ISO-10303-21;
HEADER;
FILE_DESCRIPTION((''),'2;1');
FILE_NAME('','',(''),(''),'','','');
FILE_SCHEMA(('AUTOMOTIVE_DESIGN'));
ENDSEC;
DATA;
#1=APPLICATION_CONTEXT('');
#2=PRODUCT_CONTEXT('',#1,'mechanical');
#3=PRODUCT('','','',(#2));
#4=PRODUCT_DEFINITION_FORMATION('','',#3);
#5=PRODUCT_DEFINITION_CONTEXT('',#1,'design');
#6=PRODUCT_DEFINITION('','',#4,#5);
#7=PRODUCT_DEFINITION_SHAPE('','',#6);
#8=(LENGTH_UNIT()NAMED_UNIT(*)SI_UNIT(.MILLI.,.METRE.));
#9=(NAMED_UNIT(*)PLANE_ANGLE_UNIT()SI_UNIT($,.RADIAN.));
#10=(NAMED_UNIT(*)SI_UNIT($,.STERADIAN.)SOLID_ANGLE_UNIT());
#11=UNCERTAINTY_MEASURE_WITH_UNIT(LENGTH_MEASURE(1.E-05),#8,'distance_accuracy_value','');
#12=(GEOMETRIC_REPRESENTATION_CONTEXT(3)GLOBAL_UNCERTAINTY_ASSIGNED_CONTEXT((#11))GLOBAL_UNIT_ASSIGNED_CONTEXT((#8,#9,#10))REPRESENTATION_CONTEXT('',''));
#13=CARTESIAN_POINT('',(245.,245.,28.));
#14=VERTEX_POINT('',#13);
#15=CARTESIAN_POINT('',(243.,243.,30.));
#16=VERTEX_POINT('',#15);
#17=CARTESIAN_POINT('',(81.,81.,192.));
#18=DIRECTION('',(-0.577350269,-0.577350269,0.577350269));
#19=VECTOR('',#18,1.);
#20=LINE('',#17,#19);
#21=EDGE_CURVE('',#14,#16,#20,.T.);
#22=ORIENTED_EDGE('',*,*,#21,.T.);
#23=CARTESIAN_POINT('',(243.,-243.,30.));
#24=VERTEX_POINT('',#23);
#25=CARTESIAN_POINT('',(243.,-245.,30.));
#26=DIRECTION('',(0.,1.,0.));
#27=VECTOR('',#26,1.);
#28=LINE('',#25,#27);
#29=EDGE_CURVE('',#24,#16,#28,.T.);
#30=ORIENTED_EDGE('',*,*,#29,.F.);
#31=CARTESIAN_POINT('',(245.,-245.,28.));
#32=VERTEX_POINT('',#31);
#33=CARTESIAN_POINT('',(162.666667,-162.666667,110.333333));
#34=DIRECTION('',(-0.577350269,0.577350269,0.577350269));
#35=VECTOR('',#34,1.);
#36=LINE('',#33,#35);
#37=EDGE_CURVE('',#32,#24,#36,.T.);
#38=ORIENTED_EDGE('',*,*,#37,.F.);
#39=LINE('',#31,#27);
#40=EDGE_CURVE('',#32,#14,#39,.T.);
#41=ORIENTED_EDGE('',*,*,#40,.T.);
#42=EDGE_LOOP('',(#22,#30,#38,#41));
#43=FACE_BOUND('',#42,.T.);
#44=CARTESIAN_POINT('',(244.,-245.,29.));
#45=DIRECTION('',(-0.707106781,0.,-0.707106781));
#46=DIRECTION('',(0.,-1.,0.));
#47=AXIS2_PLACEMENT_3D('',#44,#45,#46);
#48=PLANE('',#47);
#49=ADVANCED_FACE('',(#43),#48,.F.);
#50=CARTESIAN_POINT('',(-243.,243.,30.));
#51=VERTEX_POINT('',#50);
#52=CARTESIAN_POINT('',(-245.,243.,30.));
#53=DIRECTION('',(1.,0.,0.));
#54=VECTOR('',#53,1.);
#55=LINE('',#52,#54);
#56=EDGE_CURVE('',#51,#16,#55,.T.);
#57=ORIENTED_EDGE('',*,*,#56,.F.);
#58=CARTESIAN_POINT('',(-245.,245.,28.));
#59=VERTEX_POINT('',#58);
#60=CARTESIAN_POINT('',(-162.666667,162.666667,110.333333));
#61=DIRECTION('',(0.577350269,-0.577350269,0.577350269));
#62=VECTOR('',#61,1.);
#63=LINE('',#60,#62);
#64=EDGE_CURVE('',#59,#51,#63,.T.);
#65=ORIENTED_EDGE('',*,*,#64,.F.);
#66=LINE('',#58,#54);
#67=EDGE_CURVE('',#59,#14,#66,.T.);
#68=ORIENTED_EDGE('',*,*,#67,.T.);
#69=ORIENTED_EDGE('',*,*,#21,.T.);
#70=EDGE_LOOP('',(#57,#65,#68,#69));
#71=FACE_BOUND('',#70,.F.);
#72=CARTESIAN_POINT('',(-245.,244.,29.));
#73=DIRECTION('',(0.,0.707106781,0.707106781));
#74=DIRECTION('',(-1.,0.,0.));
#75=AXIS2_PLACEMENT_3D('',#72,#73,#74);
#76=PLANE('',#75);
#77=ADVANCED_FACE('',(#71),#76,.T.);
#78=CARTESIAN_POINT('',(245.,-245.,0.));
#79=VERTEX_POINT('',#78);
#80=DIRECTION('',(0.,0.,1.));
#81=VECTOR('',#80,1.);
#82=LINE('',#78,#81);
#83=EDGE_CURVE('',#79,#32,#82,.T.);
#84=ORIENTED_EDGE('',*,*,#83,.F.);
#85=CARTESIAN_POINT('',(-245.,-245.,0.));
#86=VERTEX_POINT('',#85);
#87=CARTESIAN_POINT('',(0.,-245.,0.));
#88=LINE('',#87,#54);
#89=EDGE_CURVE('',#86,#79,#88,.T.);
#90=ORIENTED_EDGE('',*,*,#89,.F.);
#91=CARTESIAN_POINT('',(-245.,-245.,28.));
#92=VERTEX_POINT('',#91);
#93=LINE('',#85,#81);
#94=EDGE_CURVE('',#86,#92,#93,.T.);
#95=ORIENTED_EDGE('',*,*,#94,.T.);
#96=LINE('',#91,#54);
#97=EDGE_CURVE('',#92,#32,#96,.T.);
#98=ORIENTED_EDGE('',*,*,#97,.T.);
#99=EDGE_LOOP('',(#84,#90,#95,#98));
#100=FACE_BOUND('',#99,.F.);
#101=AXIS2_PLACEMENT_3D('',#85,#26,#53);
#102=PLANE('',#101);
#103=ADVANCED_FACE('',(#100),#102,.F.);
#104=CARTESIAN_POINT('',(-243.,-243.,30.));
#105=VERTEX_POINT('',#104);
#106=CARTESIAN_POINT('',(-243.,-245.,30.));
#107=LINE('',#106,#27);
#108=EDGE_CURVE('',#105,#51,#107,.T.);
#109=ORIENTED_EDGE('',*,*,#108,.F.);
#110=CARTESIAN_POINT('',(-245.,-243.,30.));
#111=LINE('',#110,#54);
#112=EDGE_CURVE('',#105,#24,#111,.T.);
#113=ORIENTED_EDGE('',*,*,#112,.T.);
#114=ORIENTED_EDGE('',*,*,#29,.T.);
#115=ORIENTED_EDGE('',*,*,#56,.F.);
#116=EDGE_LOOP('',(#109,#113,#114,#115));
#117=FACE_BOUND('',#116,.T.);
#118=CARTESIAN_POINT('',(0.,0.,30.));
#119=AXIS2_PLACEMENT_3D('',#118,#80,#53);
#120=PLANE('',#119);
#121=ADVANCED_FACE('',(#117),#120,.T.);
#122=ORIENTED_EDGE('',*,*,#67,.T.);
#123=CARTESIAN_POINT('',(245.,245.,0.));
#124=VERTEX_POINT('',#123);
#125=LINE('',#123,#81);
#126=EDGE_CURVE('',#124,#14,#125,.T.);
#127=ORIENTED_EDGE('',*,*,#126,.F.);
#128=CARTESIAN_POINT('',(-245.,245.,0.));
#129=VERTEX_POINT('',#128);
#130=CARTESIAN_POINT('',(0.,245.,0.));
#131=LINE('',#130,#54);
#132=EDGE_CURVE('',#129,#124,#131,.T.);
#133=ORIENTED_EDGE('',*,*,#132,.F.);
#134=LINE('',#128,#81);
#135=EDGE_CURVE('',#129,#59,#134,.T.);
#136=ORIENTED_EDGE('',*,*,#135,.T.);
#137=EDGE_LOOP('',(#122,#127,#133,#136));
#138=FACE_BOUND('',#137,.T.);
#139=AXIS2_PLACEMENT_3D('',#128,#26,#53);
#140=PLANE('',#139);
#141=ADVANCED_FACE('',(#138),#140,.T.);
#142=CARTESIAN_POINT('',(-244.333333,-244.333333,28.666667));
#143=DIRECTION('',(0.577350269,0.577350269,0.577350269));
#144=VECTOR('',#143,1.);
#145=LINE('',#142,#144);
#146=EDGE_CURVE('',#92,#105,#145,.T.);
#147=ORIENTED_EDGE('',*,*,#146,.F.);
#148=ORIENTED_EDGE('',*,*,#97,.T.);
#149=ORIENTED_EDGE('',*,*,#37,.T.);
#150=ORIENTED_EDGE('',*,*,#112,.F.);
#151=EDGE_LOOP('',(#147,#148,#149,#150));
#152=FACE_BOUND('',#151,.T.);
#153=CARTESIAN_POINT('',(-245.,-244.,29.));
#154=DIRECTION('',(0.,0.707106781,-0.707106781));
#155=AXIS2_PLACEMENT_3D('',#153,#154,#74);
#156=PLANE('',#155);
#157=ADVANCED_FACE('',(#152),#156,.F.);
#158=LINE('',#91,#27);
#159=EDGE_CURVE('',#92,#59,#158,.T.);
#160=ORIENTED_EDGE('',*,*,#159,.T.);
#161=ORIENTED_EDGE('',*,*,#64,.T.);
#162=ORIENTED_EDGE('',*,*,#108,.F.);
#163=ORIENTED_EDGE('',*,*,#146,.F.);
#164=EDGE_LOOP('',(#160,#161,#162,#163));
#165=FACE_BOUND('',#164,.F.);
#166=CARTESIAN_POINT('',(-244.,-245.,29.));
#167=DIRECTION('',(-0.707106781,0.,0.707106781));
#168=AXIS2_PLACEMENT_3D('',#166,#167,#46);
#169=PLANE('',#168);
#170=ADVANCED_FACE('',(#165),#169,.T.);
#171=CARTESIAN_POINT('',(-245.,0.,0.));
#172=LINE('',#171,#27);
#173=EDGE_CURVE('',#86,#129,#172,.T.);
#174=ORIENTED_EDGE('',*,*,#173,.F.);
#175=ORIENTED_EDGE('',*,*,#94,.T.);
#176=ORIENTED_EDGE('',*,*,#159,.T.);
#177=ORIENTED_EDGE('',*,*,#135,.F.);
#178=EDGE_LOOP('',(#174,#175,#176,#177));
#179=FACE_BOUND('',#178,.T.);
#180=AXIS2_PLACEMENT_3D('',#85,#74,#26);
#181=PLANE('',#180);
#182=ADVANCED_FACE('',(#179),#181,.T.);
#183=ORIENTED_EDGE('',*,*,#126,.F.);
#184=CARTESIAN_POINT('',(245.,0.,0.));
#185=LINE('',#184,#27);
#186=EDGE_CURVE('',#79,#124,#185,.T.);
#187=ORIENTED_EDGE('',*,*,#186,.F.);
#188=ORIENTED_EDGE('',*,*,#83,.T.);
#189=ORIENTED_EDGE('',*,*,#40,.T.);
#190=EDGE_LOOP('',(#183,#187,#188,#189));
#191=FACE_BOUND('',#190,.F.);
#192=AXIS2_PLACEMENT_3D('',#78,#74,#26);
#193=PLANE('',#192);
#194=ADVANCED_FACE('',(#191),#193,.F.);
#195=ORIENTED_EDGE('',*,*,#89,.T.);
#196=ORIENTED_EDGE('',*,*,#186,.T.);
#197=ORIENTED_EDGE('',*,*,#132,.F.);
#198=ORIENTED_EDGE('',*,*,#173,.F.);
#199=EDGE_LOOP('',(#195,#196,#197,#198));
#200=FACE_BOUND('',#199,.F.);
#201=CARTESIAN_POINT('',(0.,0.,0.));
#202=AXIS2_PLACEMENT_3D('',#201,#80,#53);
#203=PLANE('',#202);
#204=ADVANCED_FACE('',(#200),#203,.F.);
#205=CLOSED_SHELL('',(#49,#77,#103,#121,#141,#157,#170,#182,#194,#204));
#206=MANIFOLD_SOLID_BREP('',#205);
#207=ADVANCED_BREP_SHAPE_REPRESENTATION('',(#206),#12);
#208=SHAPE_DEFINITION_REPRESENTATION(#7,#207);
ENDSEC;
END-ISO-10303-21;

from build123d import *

# Parameters (mm, degrees)
F0_W     = 490
F0_H     = 490
F1_DEPTH = 30
F2_SIZE  = 2


with BuildPart() as f1:
    # F0 (on Top) → F1 (new body)
    with BuildSketch(Plane.XY):
        Rectangle(F0_W, F0_H)
    extrude(amount=F1_DEPTH)

    # F2
    f2_edges = [f1.edges().sort_by_distance(p)[0] for p in [
        (-245, 0, 30),
        (0, -245, 30),
        (245, 0, 30),
        (0, 245, 30),
    ]]
    chamfer(f2_edges, length=F2_SIZE)


solid = f1.part
